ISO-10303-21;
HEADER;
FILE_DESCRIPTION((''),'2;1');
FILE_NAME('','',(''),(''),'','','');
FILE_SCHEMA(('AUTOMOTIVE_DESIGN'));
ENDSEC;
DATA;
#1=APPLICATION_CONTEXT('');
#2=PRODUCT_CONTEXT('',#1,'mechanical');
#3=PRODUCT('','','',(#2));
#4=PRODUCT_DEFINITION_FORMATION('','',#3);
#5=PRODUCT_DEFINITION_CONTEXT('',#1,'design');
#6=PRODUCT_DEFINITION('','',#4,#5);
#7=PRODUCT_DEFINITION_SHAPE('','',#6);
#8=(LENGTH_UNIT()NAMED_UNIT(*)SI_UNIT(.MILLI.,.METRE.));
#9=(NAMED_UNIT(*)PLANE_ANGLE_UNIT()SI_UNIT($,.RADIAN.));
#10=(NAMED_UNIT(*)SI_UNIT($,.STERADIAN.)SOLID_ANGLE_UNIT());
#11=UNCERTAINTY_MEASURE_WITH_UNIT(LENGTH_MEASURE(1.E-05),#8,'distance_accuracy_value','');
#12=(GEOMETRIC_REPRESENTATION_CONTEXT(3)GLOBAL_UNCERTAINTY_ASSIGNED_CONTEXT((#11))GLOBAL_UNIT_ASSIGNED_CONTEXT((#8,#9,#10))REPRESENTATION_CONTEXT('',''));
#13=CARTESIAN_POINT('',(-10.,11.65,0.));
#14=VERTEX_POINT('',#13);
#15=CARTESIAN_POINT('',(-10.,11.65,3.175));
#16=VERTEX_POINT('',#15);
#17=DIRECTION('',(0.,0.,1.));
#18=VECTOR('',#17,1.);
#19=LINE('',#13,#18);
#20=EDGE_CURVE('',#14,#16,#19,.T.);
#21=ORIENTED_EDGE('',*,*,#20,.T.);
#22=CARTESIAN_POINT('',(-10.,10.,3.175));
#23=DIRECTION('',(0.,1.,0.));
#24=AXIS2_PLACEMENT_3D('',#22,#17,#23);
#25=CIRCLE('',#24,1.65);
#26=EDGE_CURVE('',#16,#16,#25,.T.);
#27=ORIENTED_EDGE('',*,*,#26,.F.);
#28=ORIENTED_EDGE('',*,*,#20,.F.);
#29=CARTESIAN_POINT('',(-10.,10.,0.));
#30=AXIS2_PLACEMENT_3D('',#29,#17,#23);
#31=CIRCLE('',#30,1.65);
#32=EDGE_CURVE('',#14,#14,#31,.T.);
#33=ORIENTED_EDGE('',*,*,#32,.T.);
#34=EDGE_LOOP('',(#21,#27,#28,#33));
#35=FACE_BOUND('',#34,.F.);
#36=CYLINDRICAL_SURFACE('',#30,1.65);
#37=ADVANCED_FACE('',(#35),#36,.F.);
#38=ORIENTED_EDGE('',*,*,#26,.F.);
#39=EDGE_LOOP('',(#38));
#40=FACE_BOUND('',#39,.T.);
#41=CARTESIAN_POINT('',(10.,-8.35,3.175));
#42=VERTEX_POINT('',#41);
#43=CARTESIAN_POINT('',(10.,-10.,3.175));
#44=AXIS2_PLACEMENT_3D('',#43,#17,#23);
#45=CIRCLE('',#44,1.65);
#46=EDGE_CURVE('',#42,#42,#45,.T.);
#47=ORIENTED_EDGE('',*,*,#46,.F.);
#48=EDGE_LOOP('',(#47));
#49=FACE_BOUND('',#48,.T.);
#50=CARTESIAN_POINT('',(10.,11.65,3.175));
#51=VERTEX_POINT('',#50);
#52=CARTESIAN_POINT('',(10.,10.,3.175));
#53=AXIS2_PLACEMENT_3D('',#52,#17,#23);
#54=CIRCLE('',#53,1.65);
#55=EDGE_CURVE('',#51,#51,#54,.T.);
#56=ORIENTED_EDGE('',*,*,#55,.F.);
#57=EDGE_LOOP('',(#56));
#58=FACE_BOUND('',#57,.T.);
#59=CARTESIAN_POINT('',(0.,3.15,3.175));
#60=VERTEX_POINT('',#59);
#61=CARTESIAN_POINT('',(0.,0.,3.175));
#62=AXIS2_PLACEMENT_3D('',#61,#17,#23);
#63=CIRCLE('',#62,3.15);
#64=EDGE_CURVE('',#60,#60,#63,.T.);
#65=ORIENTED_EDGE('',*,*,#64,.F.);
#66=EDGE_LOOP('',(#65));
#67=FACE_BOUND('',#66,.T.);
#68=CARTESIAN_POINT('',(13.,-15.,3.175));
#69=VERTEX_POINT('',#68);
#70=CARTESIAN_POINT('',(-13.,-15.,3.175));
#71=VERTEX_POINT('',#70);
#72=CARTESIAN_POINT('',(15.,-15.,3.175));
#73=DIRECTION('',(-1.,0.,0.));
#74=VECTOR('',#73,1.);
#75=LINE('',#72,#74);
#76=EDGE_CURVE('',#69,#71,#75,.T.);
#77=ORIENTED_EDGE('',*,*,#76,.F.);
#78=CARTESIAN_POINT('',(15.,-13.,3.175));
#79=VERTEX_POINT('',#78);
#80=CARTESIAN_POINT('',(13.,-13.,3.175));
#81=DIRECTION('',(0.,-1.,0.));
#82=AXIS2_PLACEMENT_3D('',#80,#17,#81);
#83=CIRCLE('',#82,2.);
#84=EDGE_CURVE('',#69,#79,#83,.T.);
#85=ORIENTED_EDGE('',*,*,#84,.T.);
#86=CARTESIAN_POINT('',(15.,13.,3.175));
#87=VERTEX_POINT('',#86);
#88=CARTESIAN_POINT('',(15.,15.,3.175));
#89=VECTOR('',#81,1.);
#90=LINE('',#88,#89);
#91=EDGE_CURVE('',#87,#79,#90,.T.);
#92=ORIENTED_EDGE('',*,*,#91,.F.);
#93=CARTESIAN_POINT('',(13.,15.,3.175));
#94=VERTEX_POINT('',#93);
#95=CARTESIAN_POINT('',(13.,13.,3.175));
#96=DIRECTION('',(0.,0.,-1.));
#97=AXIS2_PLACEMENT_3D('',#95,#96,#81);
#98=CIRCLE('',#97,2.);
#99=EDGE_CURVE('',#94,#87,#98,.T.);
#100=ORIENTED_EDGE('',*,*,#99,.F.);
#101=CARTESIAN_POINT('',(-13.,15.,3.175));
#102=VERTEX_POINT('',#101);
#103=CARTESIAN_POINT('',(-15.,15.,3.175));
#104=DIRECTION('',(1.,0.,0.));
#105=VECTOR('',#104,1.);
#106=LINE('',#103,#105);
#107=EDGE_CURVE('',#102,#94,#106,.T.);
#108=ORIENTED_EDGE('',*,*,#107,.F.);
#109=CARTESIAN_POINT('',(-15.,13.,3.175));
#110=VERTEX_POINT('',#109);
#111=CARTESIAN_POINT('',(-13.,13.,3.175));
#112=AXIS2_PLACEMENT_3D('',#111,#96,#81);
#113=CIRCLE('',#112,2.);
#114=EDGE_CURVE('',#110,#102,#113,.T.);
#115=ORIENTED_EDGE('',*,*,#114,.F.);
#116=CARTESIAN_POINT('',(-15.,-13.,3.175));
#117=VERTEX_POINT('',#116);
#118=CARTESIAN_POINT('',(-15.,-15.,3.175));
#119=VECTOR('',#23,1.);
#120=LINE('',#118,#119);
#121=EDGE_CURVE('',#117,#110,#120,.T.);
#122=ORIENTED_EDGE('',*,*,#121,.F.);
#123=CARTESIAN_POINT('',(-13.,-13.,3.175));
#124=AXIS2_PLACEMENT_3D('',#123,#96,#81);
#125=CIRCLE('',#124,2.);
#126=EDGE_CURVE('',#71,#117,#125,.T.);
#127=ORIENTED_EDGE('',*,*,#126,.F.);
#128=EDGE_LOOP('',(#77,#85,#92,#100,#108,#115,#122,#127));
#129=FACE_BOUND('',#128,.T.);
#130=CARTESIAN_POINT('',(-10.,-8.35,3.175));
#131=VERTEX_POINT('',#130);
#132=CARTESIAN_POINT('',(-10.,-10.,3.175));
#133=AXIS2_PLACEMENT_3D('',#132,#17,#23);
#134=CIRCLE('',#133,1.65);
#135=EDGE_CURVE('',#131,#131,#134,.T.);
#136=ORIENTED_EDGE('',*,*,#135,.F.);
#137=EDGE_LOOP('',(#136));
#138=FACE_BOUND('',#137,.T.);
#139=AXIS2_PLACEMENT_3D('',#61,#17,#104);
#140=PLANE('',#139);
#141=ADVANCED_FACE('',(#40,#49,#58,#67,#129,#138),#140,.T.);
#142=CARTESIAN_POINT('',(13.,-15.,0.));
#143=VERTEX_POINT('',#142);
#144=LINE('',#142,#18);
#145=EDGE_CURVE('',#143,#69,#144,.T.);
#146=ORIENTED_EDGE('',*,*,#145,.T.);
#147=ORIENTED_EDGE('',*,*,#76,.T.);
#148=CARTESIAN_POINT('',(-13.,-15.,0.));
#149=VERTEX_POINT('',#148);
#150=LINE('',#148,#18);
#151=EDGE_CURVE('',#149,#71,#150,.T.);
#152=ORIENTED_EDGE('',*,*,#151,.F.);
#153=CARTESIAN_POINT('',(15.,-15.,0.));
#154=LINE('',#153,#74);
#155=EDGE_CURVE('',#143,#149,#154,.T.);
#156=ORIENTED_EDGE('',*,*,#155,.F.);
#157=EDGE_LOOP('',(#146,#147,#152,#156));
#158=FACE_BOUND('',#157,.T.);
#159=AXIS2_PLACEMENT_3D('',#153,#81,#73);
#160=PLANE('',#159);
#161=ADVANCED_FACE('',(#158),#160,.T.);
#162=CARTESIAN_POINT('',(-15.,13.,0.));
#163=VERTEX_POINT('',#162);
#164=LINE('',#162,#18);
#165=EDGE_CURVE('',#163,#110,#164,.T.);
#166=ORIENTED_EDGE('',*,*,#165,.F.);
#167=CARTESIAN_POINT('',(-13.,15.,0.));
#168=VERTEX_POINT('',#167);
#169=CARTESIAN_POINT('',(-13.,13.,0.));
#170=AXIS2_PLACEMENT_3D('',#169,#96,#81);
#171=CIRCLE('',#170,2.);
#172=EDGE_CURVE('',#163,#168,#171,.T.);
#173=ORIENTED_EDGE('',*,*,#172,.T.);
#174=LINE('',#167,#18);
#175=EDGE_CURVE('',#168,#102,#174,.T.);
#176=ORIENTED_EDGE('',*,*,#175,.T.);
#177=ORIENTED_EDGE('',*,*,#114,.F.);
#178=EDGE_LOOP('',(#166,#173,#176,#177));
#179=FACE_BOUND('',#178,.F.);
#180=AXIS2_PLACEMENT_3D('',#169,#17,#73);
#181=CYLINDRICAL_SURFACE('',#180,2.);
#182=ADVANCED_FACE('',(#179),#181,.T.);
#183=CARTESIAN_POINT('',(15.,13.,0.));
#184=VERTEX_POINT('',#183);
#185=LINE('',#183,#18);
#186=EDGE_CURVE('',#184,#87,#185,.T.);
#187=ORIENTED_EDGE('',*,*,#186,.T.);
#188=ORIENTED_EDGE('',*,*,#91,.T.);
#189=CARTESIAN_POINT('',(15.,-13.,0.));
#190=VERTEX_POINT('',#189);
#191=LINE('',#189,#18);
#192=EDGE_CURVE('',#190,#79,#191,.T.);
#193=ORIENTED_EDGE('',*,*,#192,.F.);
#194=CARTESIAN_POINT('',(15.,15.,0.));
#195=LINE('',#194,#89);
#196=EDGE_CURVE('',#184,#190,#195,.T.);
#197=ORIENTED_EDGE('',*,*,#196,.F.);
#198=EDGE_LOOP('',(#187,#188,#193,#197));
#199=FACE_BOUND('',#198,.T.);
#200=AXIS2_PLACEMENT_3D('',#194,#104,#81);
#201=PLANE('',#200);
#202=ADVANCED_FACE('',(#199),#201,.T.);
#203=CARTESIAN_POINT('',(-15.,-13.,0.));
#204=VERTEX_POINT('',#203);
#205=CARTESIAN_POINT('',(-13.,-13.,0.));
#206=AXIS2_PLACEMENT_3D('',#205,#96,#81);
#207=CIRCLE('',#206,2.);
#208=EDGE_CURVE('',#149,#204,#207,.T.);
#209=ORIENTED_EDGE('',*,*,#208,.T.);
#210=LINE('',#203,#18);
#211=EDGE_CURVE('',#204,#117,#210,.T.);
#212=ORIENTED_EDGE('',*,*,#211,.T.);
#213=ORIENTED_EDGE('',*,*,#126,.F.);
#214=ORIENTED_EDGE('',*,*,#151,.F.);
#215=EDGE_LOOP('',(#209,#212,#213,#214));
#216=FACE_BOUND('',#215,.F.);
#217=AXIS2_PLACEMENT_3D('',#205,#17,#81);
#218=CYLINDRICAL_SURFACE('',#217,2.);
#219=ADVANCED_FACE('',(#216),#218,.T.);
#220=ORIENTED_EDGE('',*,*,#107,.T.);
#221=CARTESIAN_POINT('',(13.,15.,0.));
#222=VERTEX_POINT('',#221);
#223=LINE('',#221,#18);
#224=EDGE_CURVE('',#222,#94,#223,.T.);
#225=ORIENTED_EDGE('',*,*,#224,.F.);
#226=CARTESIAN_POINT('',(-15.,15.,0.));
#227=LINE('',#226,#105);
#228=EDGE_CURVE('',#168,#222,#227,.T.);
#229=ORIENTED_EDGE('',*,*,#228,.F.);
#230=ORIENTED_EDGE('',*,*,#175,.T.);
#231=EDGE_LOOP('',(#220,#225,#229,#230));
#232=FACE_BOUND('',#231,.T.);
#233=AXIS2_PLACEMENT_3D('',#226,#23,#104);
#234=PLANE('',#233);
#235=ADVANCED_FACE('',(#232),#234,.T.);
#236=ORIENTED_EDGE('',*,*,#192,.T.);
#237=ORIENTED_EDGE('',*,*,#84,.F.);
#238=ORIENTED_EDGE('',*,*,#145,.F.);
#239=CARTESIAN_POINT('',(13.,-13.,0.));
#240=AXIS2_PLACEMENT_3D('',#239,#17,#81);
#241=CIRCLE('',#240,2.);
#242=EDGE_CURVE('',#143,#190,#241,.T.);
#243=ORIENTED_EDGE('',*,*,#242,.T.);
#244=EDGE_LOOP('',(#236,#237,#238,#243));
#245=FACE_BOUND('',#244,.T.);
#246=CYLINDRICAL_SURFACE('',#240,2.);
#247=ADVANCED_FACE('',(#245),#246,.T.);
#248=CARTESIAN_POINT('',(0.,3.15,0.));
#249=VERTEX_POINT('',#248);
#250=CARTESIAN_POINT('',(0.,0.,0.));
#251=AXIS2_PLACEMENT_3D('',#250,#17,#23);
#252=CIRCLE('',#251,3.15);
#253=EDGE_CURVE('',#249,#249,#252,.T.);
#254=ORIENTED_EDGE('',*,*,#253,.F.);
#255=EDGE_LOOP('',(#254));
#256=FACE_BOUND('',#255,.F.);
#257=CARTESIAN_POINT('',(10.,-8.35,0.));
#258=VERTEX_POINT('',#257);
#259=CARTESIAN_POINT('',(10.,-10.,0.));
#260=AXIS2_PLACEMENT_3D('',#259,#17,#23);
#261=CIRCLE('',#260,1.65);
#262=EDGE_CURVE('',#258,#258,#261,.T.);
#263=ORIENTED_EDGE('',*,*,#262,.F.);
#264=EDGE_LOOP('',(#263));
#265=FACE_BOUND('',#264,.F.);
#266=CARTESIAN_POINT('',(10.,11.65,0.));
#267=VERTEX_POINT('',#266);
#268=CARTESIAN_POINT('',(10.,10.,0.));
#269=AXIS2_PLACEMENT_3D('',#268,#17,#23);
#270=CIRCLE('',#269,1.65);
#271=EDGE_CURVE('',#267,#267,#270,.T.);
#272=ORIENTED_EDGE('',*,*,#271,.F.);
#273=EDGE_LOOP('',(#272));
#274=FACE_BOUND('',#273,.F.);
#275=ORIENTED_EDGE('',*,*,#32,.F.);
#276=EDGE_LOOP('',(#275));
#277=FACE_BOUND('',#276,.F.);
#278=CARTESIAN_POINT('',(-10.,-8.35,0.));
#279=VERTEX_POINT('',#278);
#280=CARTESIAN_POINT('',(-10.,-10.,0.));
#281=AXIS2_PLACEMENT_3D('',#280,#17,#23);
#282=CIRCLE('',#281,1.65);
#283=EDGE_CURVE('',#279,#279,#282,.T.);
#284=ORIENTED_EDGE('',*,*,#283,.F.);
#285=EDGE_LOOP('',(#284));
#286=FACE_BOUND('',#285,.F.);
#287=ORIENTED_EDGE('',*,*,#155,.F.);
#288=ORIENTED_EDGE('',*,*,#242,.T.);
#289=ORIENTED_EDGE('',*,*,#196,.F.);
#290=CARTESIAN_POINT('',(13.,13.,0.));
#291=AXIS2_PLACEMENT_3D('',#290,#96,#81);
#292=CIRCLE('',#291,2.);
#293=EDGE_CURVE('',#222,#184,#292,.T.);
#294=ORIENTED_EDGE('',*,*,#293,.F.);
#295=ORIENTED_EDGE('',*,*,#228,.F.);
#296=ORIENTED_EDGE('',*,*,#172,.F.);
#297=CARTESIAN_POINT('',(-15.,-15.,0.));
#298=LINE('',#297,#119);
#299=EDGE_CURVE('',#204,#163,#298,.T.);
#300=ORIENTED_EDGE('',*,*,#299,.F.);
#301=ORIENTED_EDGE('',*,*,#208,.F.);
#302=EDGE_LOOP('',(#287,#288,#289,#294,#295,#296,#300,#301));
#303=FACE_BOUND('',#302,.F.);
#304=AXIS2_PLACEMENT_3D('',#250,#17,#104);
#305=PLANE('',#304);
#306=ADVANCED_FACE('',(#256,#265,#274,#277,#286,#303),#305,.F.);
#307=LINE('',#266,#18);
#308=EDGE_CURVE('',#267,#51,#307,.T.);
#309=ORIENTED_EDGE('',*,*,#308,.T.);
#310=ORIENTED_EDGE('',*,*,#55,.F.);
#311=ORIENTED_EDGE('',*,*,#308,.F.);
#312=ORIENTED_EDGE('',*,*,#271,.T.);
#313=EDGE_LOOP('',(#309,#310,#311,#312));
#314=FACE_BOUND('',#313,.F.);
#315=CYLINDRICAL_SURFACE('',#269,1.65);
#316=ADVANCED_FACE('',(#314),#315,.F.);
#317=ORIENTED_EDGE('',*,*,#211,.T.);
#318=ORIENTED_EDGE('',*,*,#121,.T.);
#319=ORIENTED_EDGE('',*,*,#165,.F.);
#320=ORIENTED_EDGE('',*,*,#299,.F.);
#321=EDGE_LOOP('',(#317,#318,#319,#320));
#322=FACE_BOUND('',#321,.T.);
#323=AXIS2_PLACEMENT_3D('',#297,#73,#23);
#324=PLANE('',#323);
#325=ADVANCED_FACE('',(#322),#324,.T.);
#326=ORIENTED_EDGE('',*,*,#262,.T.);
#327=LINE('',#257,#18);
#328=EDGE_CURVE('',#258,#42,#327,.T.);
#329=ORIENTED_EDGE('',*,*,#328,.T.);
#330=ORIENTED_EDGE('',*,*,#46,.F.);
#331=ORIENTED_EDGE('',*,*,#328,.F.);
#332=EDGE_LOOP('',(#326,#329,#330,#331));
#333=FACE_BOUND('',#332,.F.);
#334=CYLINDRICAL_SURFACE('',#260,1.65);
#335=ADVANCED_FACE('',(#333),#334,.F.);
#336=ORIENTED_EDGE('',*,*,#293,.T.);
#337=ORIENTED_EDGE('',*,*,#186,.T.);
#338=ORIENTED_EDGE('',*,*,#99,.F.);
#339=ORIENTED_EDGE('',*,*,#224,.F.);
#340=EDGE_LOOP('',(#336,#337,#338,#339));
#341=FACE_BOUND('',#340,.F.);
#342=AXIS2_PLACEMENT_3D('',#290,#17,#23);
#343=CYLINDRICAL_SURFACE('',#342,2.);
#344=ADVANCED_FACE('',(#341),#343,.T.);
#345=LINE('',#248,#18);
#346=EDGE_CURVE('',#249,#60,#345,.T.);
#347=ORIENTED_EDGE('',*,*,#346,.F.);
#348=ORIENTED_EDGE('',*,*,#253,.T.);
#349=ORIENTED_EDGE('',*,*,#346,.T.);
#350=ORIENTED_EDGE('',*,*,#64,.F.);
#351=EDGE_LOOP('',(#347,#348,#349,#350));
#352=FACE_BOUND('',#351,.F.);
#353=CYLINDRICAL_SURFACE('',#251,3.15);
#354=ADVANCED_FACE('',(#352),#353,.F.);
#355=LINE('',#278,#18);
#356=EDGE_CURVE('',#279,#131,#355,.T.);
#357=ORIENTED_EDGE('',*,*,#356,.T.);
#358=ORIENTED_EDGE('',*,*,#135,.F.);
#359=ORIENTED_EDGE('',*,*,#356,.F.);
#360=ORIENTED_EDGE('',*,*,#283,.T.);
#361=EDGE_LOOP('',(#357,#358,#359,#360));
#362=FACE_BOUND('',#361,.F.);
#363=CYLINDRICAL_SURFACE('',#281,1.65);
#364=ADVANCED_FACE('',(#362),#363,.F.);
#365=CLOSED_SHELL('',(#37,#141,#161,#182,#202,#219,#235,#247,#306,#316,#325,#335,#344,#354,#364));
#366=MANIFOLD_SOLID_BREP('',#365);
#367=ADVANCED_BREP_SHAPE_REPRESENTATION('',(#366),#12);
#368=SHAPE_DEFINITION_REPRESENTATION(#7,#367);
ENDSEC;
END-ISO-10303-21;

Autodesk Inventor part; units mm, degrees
ref_plane "YZ Plane" through (0, 0, 0) normal (1, 0, 0) x (0, 1, 0)
ref_plane "XZ Plane" through (0, 0, 0) normal (0, 1, 0) x (-1, 0, 0)
ref_plane "XY Plane" through (0, 0, 0) normal (0, 0, 1) x (1, 0, 0)
sketch "Sketch1" plane through (0, 0, 0) normal (0, 0, 1) x (1, 0, 0)
  line L0 (10, -10) -> (-10, -10) construction
  line L1 (-10, -10) -> (-10, 10) construction
  line L2 (-10, 10) -> (10, 10) construction
  line L3 (10, 10) -> (10, -10) construction
  line L4 (10, -10) -> (-10, 10) construction
  line L5 (-10, -10) -> (10, 10) construction
  line L6 (15, -15) -> (-15, -15)
  line L7 (-15, -15) -> (-15, 15)
  line L8 (-15, 15) -> (15, 15)
  line L9 (15, 15) -> (15, -15)
  line L10 (15, -15) -> (-15, 15) construction
  line L11 (-15, -15) -> (15, 15) construction
  point P0 (0, 0)
  point P1 (0, 0)
  dimension "d0" = 20
  dimension "d1" = 20
  dimension "d2" = 30
  dimension "d3" = 30
extrude "Extrusion1" add sketch "Sketch1" along normal blind 3.175
fillet "Fillet1" radius 2 4 edges at (-15, 15, 1.5875) (-15, -15, 1.5875) (15, -15, 1.5875) (15, 15, 1.5875)
hole "Hole1" at (-10, 10, 0) at (10, 10, 0) at (10, -10, 0) at (-10, -10, 0) direction (0, 0, 1) diameter 3.3 end through all
hole "Hole2" at (0, 0, 0) direction (0, 0, 1) diameter 6.3 end through all
equation "\"d3\" = d2"
properties part number "Inductive Sensor Plate" material "Aluminum 6061"
